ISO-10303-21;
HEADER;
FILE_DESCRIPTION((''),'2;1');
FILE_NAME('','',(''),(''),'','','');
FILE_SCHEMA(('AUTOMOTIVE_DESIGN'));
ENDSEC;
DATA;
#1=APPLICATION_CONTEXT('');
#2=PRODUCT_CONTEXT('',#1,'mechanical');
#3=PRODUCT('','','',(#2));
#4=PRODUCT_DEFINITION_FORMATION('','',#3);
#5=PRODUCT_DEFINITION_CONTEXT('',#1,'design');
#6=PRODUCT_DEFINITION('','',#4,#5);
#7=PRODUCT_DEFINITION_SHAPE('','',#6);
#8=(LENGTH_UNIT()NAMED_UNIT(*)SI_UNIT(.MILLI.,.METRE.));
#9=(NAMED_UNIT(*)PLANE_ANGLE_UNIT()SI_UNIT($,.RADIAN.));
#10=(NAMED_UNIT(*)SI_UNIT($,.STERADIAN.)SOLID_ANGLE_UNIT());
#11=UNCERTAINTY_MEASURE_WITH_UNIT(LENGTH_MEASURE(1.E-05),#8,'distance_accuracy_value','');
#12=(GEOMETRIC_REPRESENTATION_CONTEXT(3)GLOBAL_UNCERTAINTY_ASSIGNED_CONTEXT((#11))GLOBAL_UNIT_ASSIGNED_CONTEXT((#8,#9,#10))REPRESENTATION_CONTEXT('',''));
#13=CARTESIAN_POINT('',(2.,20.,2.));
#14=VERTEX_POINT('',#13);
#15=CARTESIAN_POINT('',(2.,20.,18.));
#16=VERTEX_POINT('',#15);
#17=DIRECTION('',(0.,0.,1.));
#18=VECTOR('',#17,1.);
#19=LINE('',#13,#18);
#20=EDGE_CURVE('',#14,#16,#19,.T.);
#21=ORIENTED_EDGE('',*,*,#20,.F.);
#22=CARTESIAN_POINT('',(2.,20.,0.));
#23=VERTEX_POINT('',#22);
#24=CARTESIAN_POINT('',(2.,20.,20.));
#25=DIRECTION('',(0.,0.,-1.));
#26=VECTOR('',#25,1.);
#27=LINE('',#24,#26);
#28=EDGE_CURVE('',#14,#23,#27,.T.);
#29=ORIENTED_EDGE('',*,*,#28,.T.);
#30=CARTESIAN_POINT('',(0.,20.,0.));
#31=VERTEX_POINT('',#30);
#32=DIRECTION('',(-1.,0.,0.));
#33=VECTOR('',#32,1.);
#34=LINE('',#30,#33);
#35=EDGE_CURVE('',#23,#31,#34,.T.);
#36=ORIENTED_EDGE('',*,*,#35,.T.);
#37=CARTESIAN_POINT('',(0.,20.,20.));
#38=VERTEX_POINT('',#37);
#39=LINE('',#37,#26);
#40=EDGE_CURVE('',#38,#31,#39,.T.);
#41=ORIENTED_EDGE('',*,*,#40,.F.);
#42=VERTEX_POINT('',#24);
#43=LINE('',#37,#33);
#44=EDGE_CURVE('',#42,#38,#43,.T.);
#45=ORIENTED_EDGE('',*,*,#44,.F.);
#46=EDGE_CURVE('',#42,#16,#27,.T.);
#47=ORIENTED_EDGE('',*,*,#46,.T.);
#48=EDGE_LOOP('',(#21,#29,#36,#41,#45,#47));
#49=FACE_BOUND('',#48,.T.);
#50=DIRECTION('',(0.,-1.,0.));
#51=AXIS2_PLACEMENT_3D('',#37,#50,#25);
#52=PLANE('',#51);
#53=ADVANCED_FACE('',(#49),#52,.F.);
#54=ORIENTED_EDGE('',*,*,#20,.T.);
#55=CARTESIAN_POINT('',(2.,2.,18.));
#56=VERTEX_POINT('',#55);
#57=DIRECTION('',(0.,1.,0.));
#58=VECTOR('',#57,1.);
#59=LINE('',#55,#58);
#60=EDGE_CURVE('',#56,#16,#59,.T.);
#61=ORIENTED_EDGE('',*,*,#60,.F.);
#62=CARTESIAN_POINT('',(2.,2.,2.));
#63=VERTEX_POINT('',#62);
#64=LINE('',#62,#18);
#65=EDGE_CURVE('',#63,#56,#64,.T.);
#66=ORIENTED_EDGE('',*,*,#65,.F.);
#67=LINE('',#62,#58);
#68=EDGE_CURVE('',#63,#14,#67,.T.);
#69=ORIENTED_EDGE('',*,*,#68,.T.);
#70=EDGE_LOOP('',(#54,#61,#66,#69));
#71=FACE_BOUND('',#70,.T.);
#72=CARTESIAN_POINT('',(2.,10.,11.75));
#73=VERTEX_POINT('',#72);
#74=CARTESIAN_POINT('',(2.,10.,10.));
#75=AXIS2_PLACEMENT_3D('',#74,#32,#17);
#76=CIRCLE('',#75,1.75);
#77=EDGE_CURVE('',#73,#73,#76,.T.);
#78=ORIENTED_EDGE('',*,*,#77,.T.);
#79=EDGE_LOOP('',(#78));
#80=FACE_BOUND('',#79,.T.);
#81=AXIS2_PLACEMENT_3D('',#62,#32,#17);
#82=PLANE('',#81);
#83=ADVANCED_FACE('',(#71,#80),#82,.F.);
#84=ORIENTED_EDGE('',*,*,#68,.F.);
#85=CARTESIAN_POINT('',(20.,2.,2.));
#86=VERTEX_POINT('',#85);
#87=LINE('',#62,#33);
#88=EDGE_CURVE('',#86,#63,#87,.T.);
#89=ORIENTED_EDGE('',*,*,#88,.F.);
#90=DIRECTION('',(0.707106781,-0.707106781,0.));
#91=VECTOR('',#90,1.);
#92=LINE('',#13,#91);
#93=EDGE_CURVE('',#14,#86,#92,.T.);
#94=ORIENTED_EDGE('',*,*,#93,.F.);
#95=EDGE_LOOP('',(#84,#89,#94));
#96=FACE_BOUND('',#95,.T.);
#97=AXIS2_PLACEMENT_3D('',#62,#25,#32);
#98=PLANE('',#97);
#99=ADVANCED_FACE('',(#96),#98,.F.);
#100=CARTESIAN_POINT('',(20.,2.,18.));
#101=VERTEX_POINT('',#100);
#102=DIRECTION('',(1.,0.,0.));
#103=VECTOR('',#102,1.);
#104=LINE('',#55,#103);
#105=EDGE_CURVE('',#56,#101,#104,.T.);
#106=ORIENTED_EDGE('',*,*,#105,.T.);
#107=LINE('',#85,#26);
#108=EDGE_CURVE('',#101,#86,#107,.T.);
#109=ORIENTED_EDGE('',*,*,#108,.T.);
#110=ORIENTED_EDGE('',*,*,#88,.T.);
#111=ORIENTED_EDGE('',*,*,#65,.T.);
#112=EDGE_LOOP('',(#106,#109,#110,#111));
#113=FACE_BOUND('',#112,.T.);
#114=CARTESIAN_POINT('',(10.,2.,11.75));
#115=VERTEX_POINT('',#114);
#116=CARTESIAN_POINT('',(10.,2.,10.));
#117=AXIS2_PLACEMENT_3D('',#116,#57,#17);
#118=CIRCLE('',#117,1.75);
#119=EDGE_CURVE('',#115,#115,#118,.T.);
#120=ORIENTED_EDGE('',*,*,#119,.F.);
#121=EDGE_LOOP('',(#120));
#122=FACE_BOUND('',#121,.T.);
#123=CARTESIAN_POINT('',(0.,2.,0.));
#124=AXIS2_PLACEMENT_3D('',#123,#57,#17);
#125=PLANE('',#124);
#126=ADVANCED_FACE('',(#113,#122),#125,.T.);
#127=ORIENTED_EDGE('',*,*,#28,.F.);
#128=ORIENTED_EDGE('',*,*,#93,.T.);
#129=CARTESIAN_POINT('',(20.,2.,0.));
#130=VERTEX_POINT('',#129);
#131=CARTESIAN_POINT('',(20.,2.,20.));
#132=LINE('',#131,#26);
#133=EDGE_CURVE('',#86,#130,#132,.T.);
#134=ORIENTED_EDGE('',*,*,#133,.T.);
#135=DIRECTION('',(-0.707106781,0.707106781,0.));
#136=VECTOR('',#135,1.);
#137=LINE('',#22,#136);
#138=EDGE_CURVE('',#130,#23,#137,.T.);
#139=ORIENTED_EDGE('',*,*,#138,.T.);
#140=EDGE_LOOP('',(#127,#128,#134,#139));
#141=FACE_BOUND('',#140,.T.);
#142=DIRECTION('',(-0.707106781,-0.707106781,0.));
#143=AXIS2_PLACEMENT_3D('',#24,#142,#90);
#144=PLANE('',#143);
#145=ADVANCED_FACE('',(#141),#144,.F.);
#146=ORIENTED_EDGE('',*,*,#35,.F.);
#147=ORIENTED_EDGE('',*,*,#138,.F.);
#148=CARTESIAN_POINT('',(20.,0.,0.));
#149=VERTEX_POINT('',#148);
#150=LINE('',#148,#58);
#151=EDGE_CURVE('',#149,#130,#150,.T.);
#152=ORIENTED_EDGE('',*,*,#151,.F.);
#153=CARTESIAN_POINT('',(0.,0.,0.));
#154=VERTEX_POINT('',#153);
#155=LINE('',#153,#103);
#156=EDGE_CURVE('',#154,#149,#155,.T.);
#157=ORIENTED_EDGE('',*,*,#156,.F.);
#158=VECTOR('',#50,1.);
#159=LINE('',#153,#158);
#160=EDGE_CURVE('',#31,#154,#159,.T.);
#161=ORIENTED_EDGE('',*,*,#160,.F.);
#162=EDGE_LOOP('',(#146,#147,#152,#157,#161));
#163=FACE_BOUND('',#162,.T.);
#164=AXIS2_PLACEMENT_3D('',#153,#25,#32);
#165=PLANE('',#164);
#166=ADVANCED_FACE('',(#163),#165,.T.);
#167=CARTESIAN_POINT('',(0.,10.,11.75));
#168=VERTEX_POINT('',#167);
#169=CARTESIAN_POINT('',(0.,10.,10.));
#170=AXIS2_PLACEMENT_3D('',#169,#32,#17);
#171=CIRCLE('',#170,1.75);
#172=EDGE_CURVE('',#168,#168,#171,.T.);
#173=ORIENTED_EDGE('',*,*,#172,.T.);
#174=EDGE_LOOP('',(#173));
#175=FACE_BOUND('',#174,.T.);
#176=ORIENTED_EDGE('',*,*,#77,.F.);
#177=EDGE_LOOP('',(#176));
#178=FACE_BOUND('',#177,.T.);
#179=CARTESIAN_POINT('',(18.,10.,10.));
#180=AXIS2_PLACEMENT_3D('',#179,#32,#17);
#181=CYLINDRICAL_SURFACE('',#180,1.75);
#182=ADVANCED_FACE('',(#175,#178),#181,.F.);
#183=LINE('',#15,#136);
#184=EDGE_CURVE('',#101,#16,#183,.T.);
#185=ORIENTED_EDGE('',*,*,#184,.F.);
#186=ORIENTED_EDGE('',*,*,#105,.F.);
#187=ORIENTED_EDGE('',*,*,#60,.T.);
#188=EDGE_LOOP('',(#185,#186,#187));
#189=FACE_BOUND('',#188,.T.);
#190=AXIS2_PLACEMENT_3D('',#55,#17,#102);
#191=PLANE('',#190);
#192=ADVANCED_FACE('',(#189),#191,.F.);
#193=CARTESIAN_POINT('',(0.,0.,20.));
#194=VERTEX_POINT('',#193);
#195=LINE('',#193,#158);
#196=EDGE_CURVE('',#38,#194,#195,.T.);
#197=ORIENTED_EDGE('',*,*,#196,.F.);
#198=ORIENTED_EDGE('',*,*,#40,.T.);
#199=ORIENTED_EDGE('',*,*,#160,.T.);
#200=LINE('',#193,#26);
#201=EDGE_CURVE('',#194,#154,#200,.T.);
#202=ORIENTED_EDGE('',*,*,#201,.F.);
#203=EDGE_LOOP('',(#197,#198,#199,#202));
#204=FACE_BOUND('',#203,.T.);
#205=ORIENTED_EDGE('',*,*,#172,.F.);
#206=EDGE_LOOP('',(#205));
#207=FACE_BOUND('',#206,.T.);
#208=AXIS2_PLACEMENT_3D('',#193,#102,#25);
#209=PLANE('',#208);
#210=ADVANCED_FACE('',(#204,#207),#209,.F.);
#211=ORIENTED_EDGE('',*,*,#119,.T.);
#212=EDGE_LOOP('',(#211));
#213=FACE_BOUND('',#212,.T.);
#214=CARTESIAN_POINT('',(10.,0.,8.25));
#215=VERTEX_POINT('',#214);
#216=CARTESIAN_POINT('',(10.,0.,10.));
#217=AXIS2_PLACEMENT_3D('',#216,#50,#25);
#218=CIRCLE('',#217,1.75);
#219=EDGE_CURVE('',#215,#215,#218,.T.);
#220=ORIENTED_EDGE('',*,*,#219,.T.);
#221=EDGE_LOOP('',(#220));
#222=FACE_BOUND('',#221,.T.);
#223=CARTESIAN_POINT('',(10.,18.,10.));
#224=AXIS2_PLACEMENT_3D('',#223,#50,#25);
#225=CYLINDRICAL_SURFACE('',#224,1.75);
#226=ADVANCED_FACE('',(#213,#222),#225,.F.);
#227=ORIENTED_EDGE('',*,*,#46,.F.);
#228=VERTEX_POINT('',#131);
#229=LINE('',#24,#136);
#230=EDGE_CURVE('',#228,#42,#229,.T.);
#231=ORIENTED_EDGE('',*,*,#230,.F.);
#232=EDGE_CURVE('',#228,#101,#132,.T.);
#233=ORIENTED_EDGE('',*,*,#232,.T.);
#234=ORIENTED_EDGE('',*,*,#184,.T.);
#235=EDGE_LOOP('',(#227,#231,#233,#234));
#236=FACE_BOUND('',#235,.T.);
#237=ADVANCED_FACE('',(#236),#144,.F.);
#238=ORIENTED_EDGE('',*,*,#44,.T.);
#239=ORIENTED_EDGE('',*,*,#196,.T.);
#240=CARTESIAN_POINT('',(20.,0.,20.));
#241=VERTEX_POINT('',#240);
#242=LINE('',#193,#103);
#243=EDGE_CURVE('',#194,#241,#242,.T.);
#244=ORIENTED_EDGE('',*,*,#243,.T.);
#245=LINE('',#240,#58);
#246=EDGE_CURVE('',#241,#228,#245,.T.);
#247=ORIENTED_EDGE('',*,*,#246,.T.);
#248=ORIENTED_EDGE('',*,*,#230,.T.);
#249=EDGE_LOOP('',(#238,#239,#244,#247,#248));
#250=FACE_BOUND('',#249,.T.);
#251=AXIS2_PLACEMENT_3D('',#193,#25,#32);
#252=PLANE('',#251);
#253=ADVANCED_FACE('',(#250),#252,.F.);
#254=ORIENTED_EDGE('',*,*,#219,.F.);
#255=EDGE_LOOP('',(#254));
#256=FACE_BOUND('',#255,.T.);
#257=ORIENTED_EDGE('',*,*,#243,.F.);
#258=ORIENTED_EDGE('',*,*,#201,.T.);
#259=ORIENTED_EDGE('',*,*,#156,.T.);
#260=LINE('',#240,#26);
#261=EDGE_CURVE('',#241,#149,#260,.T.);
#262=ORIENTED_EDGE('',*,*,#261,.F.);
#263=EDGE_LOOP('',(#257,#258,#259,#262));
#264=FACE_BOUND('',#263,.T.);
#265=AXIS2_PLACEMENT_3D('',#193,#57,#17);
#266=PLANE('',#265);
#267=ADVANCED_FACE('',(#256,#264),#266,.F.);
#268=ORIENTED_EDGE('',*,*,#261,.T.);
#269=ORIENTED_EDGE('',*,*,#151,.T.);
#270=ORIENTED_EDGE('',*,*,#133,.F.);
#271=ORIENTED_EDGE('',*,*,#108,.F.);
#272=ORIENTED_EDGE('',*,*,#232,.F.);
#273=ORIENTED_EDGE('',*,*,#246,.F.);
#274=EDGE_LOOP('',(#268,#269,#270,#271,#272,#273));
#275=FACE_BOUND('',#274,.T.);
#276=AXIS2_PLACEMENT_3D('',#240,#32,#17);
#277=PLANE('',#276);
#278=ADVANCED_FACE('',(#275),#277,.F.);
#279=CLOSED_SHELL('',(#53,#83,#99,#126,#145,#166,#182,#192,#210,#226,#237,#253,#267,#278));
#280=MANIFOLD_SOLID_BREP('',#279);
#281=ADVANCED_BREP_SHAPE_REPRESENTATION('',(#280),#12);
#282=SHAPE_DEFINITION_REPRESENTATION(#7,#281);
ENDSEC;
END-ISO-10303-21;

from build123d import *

# Parameters (mm, degrees)
EXTRUDE_1_DEPTH     = 20
SKETCH_2_W          = 18
SKETCH_2_H          = 16
CUT_EXTRUDE_1_DEPTH = 18
SKETCH_3_R          = 1.75
CUT_EXTRUDE_2_DEPTH = 18
SKETCH_4_R          = 1.75
CUT_EXTRUDE_3_DEPTH = 18


with BuildPart() as part:
    # 草图1 → 凸台-拉伸1 (new body)
    with BuildSketch(Plane.XY):
        Polygon((2, 20), (20, 2), (20, 0), (0, 0), (0, 20), align=None)
    extrude(amount=EXTRUDE_1_DEPTH)

    # 草图2 → 切除-拉伸1 (cut)
    with BuildSketch(Plane(origin=(0, 20, 0), x_dir=(1, 0, 0), z_dir=(0, 1, 0))):
        with Locations((11, -10)):
            Rectangle(SKETCH_2_W, SKETCH_2_H)
    extrude(amount=-CUT_EXTRUDE_1_DEPTH, mode=Mode.SUBTRACT)

    # 草图3 → 切除-拉伸2 (cut)
    with BuildSketch(Plane.XZ):
        with Locations(Location((10, 10, 0), (0, 0, 270))):
            Circle(SKETCH_3_R)
    extrude(amount=-CUT_EXTRUDE_2_DEPTH, mode=Mode.SUBTRACT)

    # 草图4 → 切除-拉伸3 (cut)
    with BuildSketch(Plane.ZY):
        with Locations((10, 10)):
            Circle(SKETCH_4_R)
    extrude(amount=-CUT_EXTRUDE_3_DEPTH, mode=Mode.SUBTRACT)


solid = part.part
